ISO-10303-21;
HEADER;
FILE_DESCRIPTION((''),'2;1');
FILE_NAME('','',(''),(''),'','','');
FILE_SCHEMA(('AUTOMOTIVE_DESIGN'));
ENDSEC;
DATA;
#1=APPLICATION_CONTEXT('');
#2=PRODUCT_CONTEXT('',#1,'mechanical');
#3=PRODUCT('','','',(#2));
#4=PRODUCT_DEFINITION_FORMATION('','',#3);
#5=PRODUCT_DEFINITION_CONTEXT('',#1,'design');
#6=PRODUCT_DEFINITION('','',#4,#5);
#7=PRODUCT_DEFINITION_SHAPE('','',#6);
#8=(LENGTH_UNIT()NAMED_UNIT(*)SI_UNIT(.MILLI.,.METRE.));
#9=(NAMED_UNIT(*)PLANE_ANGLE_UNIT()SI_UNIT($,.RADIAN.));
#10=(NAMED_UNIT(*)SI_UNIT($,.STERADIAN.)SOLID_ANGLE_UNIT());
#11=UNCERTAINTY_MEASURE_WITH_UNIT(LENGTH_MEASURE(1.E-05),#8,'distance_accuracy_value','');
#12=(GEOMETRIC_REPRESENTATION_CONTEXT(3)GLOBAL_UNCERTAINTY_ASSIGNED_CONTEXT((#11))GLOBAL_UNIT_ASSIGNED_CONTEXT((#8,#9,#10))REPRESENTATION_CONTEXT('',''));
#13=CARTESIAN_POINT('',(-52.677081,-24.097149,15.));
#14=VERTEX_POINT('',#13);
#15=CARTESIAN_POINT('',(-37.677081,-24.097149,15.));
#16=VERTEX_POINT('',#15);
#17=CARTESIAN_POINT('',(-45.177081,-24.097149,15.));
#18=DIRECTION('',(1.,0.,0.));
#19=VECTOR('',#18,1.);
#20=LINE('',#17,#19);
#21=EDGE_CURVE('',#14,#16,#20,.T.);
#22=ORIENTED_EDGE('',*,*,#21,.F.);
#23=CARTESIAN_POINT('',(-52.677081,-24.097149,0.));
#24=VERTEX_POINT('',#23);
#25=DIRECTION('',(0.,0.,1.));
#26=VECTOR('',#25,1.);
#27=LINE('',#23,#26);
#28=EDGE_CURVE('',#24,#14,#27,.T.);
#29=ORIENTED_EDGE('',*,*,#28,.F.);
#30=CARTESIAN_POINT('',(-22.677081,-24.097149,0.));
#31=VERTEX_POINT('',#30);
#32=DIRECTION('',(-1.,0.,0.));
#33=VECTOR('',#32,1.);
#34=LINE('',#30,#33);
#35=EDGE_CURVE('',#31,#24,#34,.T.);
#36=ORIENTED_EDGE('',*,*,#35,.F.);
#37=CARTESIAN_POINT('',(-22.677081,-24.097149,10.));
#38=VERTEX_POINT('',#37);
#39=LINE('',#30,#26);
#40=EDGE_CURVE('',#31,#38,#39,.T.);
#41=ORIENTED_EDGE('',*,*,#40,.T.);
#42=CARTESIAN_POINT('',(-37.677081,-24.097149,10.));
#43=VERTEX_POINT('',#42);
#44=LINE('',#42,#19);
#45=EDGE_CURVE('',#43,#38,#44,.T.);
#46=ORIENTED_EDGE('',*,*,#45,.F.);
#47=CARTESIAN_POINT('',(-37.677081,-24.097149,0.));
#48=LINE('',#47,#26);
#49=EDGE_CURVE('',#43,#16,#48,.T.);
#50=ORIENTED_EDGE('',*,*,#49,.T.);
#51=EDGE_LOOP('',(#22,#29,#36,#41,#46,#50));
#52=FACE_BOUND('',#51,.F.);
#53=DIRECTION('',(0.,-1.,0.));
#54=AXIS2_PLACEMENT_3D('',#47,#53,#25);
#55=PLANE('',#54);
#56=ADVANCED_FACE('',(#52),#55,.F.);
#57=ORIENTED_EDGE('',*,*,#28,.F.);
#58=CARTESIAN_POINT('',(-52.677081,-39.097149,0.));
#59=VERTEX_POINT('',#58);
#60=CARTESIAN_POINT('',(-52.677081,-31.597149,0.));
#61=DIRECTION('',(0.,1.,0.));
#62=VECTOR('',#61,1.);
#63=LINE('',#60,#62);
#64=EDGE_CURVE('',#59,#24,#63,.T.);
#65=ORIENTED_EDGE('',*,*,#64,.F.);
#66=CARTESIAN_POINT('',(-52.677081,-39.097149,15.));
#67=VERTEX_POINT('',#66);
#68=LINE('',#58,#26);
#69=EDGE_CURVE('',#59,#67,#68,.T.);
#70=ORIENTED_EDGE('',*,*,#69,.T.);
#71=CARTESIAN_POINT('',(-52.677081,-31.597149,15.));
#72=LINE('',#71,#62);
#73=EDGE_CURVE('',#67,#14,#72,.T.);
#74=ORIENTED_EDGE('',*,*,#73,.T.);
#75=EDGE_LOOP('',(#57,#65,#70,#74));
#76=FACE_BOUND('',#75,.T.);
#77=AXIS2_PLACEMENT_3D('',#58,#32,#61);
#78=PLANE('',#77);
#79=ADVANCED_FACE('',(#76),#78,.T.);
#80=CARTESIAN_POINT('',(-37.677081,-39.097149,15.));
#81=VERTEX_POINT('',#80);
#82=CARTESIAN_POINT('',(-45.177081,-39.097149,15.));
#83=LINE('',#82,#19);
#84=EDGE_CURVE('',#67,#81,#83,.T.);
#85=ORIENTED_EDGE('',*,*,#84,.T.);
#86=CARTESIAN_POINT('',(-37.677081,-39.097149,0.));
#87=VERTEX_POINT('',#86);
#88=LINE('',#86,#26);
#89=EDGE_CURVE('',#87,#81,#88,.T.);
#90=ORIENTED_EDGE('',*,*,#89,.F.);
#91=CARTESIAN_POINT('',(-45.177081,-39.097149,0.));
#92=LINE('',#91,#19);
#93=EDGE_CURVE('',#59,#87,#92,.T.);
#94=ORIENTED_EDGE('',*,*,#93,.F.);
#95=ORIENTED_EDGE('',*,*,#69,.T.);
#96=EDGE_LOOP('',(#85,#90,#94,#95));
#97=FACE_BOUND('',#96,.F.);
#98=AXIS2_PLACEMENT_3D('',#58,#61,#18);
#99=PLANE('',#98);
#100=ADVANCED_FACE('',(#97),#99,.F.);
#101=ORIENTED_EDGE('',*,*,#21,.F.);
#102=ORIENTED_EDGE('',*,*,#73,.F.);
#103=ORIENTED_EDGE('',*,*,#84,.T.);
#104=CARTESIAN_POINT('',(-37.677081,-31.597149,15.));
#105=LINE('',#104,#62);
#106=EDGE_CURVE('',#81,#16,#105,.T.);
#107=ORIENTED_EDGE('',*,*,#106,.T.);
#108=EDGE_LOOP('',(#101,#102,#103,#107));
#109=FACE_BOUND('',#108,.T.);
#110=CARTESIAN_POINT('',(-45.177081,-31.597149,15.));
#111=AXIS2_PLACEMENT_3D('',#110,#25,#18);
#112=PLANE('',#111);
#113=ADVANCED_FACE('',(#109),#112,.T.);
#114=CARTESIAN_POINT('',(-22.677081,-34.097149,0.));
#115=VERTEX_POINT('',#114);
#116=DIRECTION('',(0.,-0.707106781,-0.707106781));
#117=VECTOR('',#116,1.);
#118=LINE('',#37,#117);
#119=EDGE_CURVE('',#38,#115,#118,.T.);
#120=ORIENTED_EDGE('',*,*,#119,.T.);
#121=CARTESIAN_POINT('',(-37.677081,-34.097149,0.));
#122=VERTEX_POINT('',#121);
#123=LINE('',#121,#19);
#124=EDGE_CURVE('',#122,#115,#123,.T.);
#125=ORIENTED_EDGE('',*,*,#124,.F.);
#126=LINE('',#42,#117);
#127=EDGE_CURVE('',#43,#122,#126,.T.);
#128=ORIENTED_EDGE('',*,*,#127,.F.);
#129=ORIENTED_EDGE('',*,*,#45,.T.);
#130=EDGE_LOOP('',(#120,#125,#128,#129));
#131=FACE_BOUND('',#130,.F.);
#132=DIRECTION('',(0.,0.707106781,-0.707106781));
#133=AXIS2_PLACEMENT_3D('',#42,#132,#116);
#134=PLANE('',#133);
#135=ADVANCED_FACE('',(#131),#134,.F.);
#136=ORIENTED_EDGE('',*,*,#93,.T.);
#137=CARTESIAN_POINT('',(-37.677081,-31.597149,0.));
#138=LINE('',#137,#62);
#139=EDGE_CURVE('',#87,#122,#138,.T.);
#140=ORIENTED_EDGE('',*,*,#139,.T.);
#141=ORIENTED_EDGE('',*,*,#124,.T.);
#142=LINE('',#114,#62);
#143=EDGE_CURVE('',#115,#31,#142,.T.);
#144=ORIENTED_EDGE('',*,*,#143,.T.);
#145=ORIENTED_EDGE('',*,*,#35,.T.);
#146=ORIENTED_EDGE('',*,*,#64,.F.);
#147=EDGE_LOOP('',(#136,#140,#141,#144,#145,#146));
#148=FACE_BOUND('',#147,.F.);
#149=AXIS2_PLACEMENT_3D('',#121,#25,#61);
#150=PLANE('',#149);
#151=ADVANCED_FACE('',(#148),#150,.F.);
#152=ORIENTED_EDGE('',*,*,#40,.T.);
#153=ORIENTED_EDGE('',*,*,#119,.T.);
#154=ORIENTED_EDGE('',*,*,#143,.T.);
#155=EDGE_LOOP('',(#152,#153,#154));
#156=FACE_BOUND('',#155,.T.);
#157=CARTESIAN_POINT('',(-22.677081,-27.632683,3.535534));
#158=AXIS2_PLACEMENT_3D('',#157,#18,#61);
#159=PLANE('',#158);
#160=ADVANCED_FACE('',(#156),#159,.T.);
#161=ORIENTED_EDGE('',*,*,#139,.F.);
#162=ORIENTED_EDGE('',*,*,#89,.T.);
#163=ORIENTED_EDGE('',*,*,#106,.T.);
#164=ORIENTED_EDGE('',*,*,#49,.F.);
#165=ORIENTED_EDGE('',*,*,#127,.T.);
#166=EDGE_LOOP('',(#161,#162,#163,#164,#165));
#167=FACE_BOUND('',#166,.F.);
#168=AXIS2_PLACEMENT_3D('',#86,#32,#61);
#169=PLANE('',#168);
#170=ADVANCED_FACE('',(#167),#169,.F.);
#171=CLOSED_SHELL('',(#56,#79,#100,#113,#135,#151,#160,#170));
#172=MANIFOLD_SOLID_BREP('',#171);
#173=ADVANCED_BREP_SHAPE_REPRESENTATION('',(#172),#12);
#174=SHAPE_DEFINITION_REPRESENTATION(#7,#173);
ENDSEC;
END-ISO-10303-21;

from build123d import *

# Parameters (mm, degrees)
F0_W     = 15
F0_H     = 15
F1_DEPTH = 15
F3_DEPTH = 15


with BuildPart() as f1:
    # F0 (on Top) → F1 (new body)
    with BuildSketch(Plane.XY):
        with Locations((-45.177081, -31.597149)):
            Rectangle(F0_W, F0_H)
    extrude(amount=F1_DEPTH)

    # F2 (on face) → F3 (join)
    with BuildSketch(Plane.YZ.offset(-37.677081)):
        Polygon((-24.097149, 0), (-24.097149, 10), (-34.097149, 0), align=None)
    extrude(amount=F3_DEPTH)


solid = f1.part
